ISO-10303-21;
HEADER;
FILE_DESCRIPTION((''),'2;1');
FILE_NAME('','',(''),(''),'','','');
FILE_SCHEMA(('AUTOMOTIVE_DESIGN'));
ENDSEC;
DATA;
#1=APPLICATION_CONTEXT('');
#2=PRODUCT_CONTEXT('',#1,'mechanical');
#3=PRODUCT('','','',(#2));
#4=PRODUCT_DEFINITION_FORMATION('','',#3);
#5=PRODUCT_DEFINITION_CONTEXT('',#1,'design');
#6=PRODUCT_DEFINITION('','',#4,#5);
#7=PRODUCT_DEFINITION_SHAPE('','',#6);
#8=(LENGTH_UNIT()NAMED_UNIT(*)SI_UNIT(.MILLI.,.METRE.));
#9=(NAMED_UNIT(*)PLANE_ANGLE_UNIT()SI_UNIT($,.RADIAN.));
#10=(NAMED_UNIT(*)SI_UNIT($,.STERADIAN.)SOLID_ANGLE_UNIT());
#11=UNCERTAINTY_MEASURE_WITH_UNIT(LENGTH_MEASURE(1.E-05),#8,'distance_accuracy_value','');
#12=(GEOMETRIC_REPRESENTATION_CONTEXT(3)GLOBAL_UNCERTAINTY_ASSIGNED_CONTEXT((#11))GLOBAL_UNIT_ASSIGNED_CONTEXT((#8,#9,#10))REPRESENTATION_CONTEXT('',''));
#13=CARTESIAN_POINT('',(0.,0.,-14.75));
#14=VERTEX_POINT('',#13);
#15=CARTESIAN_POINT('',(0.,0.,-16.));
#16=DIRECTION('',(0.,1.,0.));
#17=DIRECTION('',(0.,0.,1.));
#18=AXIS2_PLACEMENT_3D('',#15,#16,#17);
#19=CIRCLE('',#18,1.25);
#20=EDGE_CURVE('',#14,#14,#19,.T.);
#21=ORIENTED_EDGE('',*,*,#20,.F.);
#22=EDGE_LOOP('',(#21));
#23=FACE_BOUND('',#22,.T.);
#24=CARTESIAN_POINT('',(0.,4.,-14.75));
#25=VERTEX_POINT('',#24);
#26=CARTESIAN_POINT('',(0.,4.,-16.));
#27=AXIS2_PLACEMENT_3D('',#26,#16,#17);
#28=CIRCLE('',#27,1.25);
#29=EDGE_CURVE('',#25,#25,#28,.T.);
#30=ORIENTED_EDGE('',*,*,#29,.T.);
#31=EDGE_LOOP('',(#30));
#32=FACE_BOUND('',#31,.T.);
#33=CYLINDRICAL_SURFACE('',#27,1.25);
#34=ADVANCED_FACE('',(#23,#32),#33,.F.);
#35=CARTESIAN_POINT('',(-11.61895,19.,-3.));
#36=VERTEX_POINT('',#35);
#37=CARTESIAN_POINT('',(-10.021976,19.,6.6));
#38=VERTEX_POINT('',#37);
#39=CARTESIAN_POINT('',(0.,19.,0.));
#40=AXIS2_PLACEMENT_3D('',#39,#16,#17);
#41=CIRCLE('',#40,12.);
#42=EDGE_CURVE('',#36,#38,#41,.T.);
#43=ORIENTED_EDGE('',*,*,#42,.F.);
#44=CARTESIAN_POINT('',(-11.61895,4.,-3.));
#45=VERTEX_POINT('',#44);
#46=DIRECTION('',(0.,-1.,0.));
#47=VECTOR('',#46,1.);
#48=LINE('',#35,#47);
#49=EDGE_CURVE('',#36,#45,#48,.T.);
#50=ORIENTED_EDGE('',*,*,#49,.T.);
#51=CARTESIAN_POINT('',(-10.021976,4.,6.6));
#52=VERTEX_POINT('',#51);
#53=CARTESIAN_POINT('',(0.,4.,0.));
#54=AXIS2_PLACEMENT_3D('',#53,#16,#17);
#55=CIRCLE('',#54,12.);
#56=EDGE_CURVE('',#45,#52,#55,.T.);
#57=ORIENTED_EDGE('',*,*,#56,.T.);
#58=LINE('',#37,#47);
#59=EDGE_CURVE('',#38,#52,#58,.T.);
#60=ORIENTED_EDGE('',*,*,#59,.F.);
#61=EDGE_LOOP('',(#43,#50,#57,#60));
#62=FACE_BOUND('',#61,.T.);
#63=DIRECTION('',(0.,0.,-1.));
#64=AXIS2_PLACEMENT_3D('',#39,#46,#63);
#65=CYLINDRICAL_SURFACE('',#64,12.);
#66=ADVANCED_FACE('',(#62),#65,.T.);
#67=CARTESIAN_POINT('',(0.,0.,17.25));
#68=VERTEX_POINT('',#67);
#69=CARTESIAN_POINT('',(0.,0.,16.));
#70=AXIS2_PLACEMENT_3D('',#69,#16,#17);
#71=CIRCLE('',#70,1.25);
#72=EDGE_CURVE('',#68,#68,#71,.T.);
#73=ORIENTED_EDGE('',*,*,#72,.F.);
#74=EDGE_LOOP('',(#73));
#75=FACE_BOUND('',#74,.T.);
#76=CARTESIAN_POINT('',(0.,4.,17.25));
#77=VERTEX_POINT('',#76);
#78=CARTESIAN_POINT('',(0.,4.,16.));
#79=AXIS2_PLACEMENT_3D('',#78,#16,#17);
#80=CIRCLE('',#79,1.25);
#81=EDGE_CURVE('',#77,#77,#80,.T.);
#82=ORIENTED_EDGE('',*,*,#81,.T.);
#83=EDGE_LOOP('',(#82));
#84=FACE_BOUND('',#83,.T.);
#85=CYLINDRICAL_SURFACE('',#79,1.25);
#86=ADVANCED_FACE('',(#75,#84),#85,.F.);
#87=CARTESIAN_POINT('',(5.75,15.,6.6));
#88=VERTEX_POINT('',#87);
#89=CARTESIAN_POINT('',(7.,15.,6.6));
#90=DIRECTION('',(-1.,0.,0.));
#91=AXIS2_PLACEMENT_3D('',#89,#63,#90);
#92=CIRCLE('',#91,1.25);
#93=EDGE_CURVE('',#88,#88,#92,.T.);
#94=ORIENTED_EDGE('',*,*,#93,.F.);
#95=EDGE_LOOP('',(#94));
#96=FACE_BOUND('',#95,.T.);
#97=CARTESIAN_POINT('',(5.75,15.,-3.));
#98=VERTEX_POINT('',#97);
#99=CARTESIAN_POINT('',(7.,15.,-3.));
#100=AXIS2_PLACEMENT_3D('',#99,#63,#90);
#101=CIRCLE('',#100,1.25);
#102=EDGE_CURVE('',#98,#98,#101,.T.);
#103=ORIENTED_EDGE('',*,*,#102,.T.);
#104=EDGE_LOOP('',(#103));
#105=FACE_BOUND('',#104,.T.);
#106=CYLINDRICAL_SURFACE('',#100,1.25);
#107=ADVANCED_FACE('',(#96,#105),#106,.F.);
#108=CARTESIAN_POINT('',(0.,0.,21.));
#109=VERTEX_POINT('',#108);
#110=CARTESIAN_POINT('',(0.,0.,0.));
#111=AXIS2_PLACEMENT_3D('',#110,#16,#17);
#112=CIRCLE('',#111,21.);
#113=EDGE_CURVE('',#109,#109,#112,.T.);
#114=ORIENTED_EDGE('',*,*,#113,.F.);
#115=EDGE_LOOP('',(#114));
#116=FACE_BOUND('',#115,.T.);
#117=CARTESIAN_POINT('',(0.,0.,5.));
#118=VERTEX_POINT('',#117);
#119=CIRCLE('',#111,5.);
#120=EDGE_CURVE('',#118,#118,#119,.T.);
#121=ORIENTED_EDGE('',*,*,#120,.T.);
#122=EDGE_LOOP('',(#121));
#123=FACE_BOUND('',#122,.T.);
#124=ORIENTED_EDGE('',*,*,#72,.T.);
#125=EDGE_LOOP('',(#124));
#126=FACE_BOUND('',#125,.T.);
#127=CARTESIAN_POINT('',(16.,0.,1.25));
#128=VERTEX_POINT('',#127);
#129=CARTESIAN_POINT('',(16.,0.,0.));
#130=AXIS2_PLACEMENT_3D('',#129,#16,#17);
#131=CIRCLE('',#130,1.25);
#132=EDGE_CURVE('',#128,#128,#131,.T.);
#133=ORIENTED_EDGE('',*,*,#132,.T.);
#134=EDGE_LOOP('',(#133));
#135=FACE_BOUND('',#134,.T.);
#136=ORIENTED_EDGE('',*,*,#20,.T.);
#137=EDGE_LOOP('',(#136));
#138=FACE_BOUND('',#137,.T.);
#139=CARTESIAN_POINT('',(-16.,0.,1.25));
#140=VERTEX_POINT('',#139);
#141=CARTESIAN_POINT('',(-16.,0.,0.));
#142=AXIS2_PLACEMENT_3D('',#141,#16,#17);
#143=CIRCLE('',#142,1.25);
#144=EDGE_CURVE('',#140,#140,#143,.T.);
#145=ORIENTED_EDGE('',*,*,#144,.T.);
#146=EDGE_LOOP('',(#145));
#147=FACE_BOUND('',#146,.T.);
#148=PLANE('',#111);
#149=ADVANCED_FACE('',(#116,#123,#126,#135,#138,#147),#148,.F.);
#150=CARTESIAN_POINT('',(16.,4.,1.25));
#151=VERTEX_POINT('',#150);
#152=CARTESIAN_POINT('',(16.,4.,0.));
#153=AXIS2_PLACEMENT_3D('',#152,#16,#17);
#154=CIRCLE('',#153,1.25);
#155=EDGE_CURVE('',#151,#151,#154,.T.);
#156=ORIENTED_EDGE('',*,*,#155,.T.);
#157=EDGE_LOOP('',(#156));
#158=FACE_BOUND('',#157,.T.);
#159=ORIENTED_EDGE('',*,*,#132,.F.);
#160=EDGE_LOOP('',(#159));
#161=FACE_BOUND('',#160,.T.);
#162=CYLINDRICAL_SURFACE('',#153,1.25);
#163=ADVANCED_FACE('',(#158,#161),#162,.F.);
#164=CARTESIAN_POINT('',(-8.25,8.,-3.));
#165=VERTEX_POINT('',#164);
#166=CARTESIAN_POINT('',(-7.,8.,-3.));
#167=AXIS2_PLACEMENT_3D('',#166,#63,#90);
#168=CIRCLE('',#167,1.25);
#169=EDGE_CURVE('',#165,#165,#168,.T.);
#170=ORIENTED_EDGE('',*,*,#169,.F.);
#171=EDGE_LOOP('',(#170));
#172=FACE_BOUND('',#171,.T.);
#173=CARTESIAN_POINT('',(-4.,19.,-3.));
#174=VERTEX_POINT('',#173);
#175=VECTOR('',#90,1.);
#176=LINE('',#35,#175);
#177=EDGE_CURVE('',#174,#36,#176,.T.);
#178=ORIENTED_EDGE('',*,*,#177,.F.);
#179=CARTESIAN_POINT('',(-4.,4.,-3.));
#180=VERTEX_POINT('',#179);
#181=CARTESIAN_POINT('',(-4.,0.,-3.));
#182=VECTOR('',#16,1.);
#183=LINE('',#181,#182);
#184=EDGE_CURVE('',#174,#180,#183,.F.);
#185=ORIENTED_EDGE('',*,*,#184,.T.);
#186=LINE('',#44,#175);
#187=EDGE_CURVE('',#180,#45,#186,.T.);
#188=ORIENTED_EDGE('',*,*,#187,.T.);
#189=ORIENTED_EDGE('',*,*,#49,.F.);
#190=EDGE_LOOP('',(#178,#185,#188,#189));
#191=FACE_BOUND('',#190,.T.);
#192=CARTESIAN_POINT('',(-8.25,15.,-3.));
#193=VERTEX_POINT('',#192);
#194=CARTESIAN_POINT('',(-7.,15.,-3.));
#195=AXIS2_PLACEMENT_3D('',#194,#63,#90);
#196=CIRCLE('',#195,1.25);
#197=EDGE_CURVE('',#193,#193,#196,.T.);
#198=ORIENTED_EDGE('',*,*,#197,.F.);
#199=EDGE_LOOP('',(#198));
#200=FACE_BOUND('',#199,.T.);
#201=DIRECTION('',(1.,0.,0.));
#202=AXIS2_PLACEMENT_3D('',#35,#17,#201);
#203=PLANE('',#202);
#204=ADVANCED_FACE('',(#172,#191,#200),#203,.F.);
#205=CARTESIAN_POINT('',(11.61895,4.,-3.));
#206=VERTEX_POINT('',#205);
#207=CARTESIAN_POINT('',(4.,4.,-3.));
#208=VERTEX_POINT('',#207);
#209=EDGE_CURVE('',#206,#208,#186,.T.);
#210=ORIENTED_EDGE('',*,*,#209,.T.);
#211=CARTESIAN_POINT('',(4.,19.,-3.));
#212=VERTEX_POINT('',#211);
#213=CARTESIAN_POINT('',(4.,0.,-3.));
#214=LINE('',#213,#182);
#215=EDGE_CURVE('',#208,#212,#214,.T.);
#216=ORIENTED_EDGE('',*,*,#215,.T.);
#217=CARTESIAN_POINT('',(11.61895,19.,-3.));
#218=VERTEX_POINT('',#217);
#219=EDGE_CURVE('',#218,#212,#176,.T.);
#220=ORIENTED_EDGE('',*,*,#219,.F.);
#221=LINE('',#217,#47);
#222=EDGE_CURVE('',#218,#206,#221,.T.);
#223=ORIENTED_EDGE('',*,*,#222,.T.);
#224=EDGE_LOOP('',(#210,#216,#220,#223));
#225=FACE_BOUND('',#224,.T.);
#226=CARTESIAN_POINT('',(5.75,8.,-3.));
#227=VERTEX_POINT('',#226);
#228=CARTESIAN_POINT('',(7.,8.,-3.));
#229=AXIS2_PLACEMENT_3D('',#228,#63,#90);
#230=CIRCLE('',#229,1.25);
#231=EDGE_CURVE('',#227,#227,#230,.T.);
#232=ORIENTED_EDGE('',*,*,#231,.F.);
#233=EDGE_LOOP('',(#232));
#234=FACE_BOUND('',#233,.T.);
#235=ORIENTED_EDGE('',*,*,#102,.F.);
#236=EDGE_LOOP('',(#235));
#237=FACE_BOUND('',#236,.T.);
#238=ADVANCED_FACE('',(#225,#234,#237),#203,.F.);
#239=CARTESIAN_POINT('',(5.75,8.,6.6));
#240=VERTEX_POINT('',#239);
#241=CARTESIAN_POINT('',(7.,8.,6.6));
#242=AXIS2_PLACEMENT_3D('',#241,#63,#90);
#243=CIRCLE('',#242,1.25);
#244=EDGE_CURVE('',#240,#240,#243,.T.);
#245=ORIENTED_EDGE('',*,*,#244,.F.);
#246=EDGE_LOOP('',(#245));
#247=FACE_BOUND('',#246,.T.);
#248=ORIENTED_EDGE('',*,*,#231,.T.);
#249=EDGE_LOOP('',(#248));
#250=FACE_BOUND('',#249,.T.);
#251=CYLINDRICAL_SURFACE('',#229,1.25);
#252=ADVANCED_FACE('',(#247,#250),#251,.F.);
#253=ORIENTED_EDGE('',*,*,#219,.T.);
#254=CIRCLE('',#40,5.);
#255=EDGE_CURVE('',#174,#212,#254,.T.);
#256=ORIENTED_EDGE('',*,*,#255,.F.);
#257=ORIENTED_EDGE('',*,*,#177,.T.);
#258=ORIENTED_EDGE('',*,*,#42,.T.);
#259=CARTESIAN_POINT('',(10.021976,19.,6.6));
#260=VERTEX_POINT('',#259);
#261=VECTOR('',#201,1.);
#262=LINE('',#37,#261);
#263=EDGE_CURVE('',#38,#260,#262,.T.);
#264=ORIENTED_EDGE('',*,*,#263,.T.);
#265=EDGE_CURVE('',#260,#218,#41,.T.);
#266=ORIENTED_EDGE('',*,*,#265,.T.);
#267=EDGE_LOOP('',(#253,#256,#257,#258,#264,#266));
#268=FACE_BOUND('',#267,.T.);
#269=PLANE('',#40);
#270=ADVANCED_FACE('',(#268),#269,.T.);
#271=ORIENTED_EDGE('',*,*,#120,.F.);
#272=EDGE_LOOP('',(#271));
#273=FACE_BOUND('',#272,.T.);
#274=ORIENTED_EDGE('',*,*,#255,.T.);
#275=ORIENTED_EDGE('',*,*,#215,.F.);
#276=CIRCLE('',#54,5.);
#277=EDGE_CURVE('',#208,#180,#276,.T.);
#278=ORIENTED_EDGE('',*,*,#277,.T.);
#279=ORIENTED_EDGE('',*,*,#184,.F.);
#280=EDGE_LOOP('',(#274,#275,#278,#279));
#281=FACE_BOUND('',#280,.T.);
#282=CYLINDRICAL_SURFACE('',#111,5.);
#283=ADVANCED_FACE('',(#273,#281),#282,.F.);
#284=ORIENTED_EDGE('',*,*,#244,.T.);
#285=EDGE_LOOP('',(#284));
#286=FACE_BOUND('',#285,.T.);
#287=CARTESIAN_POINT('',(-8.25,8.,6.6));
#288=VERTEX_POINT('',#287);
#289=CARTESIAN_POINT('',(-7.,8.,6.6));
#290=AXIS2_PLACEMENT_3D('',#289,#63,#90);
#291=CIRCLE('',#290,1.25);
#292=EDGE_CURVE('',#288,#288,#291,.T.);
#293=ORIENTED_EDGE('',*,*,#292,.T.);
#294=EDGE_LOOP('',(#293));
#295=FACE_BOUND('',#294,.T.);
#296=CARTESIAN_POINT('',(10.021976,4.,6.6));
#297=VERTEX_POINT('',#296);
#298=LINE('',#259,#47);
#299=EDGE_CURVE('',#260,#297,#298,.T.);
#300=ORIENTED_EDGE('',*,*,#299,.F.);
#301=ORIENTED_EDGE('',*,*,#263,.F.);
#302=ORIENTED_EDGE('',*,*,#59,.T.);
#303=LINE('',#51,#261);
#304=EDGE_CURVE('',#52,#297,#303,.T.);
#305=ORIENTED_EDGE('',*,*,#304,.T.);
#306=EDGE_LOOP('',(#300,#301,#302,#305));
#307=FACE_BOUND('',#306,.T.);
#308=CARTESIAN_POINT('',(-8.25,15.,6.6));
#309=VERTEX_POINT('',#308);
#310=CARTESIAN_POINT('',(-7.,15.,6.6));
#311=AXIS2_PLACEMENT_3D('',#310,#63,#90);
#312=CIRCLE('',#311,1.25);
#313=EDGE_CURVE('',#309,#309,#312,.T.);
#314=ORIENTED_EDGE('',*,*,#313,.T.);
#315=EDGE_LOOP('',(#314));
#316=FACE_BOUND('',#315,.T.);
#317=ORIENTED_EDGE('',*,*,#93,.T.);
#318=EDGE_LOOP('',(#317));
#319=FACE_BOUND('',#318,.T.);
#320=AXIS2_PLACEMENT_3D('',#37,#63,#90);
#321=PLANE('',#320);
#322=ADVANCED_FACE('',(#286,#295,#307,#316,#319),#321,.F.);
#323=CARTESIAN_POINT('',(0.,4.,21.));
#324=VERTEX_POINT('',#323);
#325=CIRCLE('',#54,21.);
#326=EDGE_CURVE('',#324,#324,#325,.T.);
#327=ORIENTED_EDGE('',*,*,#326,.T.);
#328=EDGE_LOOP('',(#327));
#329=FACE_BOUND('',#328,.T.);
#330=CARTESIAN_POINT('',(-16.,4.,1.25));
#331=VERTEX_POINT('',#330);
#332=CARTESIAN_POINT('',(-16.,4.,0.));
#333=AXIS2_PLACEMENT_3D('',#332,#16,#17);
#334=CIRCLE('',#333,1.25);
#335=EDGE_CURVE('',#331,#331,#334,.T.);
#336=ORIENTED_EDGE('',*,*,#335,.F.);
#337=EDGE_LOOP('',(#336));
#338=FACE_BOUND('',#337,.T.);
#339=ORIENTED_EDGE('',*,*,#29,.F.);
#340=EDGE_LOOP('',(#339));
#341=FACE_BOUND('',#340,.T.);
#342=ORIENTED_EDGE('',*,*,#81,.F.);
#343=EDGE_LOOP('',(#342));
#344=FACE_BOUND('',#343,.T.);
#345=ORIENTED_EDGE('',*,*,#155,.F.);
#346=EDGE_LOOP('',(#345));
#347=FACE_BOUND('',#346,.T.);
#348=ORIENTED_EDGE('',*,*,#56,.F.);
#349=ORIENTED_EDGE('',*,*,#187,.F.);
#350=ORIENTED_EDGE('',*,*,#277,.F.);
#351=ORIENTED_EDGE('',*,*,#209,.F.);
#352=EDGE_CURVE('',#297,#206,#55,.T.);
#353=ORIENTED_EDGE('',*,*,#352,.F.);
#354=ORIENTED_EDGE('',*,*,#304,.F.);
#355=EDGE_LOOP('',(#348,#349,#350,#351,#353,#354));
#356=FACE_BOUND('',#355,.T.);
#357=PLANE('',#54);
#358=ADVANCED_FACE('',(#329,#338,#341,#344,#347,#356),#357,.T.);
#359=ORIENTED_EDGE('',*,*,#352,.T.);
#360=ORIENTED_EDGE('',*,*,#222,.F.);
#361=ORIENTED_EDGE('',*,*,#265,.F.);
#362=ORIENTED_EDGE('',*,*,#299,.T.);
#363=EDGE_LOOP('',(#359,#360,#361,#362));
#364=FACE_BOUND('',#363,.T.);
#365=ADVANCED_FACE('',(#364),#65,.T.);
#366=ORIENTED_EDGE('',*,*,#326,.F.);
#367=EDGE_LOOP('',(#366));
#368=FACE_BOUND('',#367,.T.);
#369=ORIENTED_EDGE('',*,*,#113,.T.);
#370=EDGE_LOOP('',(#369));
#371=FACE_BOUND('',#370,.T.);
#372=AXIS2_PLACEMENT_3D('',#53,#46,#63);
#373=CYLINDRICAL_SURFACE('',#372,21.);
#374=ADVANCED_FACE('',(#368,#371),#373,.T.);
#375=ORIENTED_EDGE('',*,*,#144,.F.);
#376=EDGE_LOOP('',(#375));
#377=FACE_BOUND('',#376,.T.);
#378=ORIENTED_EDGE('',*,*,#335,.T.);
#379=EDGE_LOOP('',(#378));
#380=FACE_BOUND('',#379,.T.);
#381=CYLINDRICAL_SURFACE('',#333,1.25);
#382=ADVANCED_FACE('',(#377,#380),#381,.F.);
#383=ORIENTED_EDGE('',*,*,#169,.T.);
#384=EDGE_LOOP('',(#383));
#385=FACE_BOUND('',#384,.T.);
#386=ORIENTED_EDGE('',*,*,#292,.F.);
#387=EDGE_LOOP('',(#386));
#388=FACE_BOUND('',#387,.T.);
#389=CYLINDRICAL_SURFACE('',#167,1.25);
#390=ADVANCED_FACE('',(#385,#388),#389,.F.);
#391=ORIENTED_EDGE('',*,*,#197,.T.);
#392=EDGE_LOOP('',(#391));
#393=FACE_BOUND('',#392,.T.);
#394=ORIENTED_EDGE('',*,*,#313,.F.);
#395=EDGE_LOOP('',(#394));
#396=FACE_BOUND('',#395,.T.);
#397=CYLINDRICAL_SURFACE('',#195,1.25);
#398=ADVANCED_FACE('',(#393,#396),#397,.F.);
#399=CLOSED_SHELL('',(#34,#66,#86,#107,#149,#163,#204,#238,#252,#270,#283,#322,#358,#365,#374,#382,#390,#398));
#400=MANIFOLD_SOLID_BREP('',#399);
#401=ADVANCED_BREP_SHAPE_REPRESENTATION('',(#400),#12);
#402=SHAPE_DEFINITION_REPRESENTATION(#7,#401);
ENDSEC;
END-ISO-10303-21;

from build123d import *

# Parameters (mm, degrees)
SKETCH_1_R          = 21
EXTRUDE_1_DEPTH     = 4
HOLE_WIZARD_M3_1_D  = 2.5
EXTRUDE_2_DEPTH     = 15
SKETCH_5_R          = 5
CUT_EXTRUDE_1_DEPTH = 36.256205128
HOLE_WIZARD_M3_2_D  = 2.5


with BuildPart() as part:
    # 草图1 → 凸台-拉伸1 (new body)
    with BuildSketch(Plane(origin=(0, 0, 0), x_dir=(1, 0, 0), z_dir=(0, 1, 0))):
        with Locations(Location((0, 0, 0), (0, 0, 270))):
            Circle(SKETCH_1_R)
    extrude(amount=EXTRUDE_1_DEPTH)

    # M3 螺纹孔1 (through all)
    with Locations(Plane(origin=(0, 4, 0), x_dir=(1, 0, 0), z_dir=(0, 1, 0))):
        with Locations((0, 16), (16, 0), (0, -16), (-16, 0)):
            Hole(HOLE_WIZARD_M3_1_D / 2)

    # 草图2 → 凸台-拉伸2 (add)
    with BuildSketch(Plane(origin=(0, 4, 0), x_dir=(1, 0, 0), z_dir=(0, 1, 0))):
        with BuildLine():
            Line((-11.618950039, 3), (11.618950039, 3))
            ThreePointArc((11.618950039, 3), (11.837331556, -1.969157596), (10.021975853, -6.6))
            Line((10.021975853, -6.6), (-10.021975853, -6.6))
            ThreePointArc((-10.021975853, -6.6), (-11.837331556, -1.969157596), (-11.618950039, 3))
        make_face()
    extrude(amount=EXTRUDE_2_DEPTH)

    # 草图5 → 切除-拉伸1 (cut, through all)
    with BuildSketch(Plane(origin=(0, 19, 0), x_dir=(1, 0, 0), z_dir=(0, 1, 0))):
        with Locations(Location((0, 0, 0), (0, 0, 270))):
            Circle(SKETCH_5_R)
    extrude(amount=-CUT_EXTRUDE_1_DEPTH, mode=Mode.SUBTRACT)

    # M3 螺纹孔2 (through all)
    with Locations(Plane(origin=(0, 0, -3), x_dir=(-1, 0, 0), z_dir=(0, 0, -1))):
        with Locations((7, 8), (7, 15), (-7, 8), (-7, 15)):
            Hole(HOLE_WIZARD_M3_2_D / 2)


solid = part.part
